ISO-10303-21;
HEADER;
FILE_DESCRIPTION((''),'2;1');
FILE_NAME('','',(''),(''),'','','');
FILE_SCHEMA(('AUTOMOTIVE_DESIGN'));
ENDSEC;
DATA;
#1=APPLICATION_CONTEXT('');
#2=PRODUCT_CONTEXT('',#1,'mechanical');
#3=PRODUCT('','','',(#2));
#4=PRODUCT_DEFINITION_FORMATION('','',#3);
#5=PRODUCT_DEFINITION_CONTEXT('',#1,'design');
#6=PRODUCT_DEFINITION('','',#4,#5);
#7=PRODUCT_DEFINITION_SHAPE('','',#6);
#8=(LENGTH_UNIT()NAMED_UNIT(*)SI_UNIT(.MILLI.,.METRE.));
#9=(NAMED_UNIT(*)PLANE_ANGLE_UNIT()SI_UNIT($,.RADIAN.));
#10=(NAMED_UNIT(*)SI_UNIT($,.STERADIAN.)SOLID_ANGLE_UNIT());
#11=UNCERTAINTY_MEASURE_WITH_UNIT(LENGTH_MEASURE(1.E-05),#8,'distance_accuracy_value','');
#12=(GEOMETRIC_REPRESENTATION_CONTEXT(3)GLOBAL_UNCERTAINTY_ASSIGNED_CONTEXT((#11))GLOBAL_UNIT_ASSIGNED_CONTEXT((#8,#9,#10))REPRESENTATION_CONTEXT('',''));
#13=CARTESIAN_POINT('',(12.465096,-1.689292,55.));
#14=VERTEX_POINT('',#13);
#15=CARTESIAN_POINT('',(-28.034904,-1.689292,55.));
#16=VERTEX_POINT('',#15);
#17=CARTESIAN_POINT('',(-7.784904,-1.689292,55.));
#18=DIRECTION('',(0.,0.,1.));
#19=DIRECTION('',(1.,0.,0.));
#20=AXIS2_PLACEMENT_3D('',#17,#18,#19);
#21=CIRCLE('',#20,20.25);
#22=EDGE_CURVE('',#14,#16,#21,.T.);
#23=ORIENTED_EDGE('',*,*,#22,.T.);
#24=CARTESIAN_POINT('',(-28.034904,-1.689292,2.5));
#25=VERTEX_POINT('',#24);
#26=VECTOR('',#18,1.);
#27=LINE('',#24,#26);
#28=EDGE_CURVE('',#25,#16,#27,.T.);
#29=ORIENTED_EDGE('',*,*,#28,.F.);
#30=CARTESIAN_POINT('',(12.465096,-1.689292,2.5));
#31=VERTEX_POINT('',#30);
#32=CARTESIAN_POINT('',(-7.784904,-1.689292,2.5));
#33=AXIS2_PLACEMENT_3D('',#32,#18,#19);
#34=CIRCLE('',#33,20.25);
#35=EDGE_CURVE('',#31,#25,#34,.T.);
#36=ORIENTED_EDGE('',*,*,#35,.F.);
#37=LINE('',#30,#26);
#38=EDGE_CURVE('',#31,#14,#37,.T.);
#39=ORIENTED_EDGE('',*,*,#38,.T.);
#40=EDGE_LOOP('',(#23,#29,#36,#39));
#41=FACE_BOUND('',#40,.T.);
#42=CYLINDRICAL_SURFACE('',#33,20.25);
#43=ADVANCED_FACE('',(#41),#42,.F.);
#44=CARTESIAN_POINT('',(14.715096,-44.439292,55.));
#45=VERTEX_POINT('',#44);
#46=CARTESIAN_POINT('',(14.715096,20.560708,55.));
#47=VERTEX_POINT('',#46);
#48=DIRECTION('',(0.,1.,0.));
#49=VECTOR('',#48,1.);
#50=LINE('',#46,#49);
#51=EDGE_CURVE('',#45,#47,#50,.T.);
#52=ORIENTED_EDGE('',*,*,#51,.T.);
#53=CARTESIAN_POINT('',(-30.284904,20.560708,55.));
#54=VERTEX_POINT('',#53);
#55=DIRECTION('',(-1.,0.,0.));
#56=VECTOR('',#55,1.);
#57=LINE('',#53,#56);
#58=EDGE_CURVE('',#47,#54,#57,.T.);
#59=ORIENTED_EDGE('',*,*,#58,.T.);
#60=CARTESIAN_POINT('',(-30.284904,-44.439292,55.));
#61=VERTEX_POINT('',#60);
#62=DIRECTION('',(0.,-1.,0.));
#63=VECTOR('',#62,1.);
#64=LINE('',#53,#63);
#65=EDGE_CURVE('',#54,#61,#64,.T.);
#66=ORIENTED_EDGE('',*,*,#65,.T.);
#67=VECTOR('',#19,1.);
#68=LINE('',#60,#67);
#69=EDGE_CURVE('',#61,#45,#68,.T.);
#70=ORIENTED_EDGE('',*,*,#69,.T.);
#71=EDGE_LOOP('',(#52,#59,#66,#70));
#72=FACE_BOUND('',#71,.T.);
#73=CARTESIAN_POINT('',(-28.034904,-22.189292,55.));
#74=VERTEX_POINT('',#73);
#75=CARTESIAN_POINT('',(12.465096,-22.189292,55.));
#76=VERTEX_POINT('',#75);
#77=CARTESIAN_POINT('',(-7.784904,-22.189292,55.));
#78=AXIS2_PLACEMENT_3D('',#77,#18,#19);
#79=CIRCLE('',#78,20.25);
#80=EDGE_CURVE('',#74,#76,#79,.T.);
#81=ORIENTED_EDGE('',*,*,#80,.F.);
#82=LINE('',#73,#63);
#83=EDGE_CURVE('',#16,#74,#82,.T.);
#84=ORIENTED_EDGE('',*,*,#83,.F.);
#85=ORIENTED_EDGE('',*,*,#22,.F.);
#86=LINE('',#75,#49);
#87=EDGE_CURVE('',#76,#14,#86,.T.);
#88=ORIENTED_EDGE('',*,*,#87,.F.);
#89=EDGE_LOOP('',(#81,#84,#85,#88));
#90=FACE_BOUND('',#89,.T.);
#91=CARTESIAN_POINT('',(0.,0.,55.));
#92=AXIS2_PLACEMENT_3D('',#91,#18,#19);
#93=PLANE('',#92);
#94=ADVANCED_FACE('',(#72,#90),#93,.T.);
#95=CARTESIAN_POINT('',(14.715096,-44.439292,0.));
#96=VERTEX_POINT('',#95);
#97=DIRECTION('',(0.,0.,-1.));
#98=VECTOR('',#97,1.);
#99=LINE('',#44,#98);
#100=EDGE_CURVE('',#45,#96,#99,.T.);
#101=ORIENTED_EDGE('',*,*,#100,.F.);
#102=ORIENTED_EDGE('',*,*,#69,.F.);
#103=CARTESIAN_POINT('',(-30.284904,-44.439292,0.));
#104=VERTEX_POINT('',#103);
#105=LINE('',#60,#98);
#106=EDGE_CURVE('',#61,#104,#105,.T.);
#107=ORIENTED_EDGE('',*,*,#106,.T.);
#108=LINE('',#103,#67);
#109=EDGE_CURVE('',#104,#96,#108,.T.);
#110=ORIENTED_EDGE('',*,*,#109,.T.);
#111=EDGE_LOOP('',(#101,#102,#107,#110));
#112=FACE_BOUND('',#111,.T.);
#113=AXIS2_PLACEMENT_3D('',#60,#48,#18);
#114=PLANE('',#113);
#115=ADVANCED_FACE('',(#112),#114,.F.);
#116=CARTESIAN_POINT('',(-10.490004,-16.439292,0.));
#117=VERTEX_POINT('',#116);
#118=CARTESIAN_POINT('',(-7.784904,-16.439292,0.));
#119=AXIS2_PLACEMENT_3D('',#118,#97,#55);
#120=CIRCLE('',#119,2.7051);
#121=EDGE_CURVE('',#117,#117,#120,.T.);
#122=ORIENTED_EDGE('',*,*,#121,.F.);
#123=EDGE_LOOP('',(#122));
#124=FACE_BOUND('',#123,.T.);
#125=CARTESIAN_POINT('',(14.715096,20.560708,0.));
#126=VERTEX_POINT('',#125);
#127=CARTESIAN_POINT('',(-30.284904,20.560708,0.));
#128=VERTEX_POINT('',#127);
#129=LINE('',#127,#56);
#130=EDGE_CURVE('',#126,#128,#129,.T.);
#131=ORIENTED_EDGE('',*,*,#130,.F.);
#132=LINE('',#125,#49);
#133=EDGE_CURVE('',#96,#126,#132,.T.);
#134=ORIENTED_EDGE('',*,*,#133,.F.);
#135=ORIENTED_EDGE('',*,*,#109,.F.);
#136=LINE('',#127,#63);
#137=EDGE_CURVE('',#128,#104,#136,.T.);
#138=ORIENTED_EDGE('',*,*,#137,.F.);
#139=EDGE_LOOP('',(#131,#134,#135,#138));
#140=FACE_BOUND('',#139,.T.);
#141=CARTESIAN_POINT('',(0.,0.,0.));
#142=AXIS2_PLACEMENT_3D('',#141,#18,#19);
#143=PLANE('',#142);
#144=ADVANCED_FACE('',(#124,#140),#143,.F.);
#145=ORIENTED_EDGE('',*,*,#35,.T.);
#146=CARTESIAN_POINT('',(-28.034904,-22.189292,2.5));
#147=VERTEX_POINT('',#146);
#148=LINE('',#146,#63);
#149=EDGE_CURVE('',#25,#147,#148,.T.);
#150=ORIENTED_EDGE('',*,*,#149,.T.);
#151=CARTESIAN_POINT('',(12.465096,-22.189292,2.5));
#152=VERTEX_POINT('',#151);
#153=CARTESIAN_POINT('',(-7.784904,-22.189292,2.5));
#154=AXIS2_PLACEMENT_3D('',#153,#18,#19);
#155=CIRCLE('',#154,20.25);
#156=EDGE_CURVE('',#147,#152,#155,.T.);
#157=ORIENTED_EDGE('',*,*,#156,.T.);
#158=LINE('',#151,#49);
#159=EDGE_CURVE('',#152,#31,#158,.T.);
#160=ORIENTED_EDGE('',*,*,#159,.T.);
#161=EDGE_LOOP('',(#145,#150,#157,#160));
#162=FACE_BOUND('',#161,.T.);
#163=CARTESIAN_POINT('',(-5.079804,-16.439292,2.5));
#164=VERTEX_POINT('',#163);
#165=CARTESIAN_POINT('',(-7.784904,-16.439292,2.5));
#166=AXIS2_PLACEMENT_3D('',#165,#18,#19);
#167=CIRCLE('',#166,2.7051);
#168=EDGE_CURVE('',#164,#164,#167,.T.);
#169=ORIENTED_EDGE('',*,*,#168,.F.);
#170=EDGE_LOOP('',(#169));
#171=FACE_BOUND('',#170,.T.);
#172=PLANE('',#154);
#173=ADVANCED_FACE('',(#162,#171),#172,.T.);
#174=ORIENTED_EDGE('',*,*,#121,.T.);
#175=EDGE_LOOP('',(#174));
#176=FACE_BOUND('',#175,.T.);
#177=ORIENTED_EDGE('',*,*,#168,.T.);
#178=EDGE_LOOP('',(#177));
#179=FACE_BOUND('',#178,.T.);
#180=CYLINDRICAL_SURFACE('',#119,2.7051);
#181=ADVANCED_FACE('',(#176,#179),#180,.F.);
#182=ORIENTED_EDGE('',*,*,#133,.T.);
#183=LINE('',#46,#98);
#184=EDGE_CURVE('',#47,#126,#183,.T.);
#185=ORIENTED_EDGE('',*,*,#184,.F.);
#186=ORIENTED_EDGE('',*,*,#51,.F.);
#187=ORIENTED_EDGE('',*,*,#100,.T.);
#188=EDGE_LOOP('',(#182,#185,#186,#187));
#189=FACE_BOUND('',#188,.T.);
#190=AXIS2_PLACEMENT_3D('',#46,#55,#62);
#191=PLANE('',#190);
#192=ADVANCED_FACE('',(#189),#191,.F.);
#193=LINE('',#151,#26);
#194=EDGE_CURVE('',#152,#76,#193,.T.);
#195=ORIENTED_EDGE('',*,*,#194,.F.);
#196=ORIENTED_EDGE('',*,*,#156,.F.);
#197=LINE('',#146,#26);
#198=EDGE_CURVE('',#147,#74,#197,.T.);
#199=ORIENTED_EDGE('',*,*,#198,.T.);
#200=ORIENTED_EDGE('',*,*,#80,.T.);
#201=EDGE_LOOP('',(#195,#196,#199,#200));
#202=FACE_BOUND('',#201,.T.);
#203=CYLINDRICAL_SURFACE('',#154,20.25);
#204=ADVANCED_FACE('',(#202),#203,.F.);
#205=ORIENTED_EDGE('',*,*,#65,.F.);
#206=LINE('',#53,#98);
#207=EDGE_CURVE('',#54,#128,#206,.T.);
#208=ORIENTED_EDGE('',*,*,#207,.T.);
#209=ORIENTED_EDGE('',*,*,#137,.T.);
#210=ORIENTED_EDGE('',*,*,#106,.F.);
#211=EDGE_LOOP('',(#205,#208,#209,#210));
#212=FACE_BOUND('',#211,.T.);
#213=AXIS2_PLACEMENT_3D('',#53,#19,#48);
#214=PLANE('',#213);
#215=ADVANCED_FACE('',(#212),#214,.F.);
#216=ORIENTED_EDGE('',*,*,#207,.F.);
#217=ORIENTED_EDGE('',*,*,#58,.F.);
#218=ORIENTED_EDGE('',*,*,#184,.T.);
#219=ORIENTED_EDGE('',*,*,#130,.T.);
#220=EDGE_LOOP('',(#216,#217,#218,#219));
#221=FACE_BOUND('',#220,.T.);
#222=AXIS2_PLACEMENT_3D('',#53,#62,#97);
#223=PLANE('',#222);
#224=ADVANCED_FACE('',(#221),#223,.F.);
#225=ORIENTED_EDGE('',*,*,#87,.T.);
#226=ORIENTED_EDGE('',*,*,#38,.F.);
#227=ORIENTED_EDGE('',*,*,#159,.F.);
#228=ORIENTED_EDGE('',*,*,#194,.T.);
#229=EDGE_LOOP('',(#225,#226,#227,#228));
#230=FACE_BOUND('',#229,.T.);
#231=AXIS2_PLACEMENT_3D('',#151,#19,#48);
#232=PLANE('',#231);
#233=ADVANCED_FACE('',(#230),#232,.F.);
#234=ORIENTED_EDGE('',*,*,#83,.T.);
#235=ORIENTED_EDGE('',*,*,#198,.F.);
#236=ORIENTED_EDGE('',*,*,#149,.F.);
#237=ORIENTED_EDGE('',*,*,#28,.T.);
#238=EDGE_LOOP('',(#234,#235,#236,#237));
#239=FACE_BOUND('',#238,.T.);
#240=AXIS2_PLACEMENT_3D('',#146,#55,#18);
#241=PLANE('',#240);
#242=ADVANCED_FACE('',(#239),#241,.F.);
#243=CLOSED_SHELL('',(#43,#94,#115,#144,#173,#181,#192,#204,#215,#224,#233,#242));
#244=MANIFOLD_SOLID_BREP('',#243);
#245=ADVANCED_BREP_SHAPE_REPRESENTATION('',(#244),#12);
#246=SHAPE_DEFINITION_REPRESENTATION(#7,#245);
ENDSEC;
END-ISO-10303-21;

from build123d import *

# Parameters (mm, degrees)
SKETCH4_W               = 45
SKETCH4_H               = 65
BOSS_EXTRUDE2_DEPTH     = 55
CUT_EXTRUDE1_DEPTH      = 52.5
F_1_4_28_TAPPED_HOLE1_D = 5.4102


with BuildPart() as part:
    # Sketch4 → Boss-Extrude2 (new body)
    with BuildSketch(Plane.XY):
        with Locations((-7.784904398, -11.939291809)):
            Rectangle(SKETCH4_W, SKETCH4_H)
    extrude(amount=BOSS_EXTRUDE2_DEPTH)

    # Sketch5 → Cut-Extrude1 (cut)
    with BuildSketch(Plane.XY.offset(55)):
        with BuildLine():
            Line((-28.034904398, -22.189291809), (-28.034904398, -1.689291809))
            ThreePointArc((-28.034904398, -1.689291809), (-7.784904398, 18.560708191), (12.465095602, -1.689291809))
            Line((12.465095602, -1.689291809), (12.465095602, -22.189291809))
            ThreePointArc((12.465095602, -22.189291809), (-7.784904398, -42.439291809), (-28.034904398, -22.189291809))
        make_face()
    extrude(amount=-CUT_EXTRUDE1_DEPTH, mode=Mode.SUBTRACT)

    # 1/4-28 Tapped Hole1 (through all)
    with Locations(Plane(origin=(0, 0, 0), x_dir=(-1, 0, 0), z_dir=(0, 0, -1))):
        with Locations((7.784904398, -16.439291809)):
            Hole(F_1_4_28_TAPPED_HOLE1_D / 2)


solid = part.part
